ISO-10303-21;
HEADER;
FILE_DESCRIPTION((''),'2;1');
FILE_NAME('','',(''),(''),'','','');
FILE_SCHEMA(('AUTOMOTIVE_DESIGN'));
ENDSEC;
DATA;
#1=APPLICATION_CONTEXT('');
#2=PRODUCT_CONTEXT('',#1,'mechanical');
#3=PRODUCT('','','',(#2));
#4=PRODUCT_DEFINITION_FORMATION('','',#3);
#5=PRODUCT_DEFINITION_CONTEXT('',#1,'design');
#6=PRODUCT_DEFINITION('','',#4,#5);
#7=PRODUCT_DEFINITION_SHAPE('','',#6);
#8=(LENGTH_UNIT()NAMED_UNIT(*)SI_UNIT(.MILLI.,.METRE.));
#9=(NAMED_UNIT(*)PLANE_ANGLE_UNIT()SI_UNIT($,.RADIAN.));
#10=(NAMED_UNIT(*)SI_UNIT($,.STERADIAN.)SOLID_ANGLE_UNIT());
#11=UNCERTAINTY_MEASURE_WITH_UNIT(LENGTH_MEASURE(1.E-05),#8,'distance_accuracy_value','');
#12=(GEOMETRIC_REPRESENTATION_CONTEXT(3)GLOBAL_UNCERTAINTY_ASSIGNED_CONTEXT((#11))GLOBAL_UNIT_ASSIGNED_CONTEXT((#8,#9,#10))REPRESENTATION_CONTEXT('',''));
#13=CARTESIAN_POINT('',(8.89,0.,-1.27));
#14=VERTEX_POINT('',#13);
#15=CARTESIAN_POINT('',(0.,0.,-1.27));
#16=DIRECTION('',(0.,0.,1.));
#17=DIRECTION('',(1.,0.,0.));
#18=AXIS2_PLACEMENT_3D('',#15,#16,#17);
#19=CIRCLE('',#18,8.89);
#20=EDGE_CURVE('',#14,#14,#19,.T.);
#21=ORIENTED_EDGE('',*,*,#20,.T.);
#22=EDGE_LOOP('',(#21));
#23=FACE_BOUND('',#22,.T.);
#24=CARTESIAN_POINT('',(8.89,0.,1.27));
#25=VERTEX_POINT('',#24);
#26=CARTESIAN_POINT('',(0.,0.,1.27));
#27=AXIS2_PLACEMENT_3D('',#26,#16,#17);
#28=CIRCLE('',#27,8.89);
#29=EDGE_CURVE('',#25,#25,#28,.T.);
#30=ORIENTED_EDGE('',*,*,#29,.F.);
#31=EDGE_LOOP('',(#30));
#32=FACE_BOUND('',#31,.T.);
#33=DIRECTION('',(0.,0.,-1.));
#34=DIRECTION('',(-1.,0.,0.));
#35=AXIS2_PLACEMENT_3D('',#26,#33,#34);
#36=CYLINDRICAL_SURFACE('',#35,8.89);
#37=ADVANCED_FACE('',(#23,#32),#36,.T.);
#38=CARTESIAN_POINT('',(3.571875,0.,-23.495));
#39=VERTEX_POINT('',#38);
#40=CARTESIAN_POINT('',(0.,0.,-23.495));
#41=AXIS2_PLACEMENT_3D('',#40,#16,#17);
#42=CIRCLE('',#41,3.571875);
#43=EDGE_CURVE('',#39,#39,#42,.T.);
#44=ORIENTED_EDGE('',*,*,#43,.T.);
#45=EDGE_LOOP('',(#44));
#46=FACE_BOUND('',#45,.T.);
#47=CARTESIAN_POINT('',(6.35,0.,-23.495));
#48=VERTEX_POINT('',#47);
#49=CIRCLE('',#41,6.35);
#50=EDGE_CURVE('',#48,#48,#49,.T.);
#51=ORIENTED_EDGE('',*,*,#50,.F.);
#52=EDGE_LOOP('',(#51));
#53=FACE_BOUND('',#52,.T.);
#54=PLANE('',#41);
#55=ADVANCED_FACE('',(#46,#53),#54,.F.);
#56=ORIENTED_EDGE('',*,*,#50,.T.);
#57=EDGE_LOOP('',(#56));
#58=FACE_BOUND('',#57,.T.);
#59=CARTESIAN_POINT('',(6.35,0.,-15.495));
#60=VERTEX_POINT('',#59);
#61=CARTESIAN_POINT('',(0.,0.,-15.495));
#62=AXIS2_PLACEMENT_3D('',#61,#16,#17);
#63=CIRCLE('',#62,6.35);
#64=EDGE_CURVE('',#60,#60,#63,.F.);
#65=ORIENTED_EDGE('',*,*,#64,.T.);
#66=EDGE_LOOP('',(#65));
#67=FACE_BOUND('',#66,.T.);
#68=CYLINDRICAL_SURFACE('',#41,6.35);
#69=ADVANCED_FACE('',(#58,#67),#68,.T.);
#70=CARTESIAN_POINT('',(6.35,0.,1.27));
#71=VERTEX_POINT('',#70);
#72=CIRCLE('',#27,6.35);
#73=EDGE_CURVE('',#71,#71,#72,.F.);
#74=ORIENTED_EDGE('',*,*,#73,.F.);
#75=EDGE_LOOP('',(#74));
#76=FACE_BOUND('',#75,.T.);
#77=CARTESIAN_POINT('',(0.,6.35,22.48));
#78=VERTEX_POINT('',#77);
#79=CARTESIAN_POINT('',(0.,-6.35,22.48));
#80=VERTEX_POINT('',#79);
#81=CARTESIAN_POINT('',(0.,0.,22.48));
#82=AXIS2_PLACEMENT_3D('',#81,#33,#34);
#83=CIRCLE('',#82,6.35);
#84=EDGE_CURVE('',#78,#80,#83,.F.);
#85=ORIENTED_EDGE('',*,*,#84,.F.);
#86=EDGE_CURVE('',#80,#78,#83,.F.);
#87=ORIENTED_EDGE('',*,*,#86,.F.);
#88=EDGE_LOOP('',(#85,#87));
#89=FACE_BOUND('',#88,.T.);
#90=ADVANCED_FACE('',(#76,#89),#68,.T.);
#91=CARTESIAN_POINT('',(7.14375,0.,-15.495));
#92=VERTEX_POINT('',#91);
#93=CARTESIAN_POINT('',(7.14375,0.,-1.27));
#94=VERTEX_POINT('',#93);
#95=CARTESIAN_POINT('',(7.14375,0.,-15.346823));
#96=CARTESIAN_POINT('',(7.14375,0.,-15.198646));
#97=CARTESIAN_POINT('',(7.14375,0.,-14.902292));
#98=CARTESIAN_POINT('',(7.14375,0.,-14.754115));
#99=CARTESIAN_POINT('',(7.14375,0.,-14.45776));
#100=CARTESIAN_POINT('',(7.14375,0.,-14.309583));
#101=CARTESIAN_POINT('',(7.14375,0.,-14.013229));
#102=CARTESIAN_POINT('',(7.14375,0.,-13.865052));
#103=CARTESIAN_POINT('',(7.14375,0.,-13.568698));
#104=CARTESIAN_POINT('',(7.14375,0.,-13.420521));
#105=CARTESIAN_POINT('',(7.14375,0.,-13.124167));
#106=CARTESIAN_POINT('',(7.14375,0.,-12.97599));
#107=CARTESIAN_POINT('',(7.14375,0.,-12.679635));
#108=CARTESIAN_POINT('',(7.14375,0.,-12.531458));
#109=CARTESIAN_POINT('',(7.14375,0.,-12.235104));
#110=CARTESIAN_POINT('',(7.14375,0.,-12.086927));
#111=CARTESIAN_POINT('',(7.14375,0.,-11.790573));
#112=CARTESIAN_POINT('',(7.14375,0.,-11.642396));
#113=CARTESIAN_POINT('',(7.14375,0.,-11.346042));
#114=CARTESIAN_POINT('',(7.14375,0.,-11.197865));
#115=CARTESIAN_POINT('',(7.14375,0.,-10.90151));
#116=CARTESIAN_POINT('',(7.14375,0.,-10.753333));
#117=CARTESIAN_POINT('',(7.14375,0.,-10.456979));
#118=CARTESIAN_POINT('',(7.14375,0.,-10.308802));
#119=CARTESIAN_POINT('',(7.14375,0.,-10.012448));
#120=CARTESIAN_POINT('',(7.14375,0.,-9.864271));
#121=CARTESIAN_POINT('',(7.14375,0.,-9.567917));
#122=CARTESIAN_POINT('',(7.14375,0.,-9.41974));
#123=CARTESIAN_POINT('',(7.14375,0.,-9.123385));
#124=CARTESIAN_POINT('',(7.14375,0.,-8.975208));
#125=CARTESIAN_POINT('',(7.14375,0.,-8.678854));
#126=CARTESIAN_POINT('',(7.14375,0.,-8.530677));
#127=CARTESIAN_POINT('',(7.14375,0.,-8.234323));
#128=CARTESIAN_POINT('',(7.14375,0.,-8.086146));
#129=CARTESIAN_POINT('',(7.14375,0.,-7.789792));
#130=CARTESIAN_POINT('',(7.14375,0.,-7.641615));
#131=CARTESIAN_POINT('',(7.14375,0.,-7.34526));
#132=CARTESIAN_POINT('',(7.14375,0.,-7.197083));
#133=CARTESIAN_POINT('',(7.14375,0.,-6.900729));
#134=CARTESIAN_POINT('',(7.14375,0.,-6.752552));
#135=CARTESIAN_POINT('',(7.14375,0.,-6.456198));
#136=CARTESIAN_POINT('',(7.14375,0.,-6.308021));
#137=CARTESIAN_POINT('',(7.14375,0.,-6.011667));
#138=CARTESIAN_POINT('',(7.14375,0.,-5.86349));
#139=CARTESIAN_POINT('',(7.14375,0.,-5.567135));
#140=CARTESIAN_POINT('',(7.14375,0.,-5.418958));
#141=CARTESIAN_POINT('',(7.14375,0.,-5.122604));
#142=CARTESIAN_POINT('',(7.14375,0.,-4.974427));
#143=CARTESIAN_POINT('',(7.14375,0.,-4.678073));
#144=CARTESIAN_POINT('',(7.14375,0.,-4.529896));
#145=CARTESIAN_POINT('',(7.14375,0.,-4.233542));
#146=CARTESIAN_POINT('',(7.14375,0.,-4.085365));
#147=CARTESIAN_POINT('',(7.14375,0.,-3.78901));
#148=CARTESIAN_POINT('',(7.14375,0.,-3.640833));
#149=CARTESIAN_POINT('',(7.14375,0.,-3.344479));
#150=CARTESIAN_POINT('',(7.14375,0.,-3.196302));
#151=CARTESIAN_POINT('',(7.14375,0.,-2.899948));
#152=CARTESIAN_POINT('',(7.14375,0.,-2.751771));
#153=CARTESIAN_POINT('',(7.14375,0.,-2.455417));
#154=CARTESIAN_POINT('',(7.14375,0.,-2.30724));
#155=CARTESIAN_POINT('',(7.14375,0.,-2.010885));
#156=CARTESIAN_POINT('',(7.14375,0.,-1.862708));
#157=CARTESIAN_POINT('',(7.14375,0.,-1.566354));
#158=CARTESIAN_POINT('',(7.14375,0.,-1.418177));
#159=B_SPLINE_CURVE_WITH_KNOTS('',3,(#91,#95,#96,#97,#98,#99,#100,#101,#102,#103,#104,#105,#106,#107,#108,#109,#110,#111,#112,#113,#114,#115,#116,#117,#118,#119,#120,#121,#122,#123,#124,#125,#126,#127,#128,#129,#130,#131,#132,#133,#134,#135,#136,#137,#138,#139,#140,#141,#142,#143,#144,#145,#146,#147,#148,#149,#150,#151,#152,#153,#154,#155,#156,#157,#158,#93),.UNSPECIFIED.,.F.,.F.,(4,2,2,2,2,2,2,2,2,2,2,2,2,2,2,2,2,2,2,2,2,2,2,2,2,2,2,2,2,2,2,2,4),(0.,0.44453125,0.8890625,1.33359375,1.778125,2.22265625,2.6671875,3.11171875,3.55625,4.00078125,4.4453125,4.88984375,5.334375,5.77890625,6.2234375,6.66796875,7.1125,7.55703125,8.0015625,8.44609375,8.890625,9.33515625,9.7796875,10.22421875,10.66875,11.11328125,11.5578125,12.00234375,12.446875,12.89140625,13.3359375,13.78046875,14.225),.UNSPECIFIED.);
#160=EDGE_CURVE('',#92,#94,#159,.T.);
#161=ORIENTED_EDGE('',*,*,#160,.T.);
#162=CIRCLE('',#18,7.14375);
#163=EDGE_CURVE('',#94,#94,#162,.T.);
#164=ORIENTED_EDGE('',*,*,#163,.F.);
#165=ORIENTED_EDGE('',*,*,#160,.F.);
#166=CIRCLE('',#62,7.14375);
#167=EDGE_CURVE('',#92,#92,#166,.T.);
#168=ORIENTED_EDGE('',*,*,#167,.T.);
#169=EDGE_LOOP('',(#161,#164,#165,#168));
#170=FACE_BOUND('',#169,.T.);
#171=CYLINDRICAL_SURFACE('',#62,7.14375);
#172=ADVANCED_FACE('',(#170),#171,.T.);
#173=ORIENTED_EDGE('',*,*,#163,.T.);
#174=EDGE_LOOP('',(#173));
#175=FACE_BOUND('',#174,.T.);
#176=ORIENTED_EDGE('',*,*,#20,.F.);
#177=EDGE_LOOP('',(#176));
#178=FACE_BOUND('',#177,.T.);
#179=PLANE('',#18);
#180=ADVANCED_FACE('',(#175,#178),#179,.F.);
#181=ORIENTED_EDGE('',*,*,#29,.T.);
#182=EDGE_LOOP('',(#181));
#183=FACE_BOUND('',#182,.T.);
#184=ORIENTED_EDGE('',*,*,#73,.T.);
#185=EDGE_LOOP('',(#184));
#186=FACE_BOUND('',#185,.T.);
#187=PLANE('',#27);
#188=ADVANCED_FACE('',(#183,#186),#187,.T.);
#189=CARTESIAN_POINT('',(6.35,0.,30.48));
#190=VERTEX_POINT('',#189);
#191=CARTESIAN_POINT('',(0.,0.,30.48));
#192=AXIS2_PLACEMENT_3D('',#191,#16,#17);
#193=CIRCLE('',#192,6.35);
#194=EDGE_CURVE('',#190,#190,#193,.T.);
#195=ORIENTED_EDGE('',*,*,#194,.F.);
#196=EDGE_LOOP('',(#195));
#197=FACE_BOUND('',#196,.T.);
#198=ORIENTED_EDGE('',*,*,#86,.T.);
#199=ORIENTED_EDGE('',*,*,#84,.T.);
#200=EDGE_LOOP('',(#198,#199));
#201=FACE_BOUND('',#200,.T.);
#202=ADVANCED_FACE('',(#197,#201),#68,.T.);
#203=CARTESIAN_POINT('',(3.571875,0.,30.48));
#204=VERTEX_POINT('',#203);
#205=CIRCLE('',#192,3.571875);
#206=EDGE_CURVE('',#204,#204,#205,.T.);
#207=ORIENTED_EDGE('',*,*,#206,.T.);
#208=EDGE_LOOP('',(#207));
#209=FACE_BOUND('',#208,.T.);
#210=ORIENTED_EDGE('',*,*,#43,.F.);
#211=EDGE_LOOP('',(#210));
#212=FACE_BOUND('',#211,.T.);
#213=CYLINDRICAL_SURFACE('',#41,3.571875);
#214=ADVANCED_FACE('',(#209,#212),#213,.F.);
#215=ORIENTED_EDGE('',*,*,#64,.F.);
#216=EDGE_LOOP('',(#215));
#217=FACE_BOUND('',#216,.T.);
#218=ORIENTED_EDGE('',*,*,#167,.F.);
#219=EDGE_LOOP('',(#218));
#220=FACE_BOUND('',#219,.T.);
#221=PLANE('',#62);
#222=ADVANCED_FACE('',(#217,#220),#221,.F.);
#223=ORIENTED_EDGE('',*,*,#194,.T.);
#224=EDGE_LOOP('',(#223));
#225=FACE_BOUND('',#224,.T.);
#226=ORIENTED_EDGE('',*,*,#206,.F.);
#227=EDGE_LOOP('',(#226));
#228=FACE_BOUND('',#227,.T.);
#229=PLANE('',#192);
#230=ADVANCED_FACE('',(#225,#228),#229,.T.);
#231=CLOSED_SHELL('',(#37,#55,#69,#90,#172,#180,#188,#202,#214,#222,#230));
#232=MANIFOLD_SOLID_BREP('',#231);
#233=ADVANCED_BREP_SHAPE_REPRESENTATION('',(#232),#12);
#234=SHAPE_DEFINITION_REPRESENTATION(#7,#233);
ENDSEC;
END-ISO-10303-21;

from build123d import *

# Parameters (mm, degrees)
BOSS_EXTRUDE1_DEPTH      = 30.48
BOSS_EXTRUDE1_DEPTH_BACK = 23.495
SKETCH1_R                = 6.35
SKETCH2_R                = 8.89
BOSS_EXTRUDE2_DEPTH      = 1.27
SKETCH4_R                = 7.14375
BOSS_EXTRUDE3_DEPTH      = 15.495
SKETCH5_R                = 3.571875
CUT_EXTRUDE1_DEPTH       = 56.41989557


with BuildPart() as part:
    # Sketch1 → Boss-Extrude1 (new, two sides: drawn at the far end of the back side and taken through both)
    with BuildSketch(Plane.XY.offset(-BOSS_EXTRUDE1_DEPTH_BACK)):
        Circle(SKETCH1_R)
    extrude(amount=BOSS_EXTRUDE1_DEPTH + BOSS_EXTRUDE1_DEPTH_BACK)

    # Sketch2 → Boss-Extrude2 (add, symmetric)
    with BuildSketch(Plane.XY):
        Circle(SKETCH2_R)
    extrude(amount=BOSS_EXTRUDE2_DEPTH, both=True)

    # Sketch4 → Boss-Extrude3 (add)
    with BuildSketch(Plane.XY):
        Circle(SKETCH4_R)
    extrude(amount=-BOSS_EXTRUDE3_DEPTH)

    # Sketch5 → Cut-Extrude1 (cut, through all)
    with BuildSketch(Plane.XY.offset(30.48)):
        Circle(SKETCH5_R)
    extrude(amount=-CUT_EXTRUDE1_DEPTH, mode=Mode.SUBTRACT)


solid = part.part
